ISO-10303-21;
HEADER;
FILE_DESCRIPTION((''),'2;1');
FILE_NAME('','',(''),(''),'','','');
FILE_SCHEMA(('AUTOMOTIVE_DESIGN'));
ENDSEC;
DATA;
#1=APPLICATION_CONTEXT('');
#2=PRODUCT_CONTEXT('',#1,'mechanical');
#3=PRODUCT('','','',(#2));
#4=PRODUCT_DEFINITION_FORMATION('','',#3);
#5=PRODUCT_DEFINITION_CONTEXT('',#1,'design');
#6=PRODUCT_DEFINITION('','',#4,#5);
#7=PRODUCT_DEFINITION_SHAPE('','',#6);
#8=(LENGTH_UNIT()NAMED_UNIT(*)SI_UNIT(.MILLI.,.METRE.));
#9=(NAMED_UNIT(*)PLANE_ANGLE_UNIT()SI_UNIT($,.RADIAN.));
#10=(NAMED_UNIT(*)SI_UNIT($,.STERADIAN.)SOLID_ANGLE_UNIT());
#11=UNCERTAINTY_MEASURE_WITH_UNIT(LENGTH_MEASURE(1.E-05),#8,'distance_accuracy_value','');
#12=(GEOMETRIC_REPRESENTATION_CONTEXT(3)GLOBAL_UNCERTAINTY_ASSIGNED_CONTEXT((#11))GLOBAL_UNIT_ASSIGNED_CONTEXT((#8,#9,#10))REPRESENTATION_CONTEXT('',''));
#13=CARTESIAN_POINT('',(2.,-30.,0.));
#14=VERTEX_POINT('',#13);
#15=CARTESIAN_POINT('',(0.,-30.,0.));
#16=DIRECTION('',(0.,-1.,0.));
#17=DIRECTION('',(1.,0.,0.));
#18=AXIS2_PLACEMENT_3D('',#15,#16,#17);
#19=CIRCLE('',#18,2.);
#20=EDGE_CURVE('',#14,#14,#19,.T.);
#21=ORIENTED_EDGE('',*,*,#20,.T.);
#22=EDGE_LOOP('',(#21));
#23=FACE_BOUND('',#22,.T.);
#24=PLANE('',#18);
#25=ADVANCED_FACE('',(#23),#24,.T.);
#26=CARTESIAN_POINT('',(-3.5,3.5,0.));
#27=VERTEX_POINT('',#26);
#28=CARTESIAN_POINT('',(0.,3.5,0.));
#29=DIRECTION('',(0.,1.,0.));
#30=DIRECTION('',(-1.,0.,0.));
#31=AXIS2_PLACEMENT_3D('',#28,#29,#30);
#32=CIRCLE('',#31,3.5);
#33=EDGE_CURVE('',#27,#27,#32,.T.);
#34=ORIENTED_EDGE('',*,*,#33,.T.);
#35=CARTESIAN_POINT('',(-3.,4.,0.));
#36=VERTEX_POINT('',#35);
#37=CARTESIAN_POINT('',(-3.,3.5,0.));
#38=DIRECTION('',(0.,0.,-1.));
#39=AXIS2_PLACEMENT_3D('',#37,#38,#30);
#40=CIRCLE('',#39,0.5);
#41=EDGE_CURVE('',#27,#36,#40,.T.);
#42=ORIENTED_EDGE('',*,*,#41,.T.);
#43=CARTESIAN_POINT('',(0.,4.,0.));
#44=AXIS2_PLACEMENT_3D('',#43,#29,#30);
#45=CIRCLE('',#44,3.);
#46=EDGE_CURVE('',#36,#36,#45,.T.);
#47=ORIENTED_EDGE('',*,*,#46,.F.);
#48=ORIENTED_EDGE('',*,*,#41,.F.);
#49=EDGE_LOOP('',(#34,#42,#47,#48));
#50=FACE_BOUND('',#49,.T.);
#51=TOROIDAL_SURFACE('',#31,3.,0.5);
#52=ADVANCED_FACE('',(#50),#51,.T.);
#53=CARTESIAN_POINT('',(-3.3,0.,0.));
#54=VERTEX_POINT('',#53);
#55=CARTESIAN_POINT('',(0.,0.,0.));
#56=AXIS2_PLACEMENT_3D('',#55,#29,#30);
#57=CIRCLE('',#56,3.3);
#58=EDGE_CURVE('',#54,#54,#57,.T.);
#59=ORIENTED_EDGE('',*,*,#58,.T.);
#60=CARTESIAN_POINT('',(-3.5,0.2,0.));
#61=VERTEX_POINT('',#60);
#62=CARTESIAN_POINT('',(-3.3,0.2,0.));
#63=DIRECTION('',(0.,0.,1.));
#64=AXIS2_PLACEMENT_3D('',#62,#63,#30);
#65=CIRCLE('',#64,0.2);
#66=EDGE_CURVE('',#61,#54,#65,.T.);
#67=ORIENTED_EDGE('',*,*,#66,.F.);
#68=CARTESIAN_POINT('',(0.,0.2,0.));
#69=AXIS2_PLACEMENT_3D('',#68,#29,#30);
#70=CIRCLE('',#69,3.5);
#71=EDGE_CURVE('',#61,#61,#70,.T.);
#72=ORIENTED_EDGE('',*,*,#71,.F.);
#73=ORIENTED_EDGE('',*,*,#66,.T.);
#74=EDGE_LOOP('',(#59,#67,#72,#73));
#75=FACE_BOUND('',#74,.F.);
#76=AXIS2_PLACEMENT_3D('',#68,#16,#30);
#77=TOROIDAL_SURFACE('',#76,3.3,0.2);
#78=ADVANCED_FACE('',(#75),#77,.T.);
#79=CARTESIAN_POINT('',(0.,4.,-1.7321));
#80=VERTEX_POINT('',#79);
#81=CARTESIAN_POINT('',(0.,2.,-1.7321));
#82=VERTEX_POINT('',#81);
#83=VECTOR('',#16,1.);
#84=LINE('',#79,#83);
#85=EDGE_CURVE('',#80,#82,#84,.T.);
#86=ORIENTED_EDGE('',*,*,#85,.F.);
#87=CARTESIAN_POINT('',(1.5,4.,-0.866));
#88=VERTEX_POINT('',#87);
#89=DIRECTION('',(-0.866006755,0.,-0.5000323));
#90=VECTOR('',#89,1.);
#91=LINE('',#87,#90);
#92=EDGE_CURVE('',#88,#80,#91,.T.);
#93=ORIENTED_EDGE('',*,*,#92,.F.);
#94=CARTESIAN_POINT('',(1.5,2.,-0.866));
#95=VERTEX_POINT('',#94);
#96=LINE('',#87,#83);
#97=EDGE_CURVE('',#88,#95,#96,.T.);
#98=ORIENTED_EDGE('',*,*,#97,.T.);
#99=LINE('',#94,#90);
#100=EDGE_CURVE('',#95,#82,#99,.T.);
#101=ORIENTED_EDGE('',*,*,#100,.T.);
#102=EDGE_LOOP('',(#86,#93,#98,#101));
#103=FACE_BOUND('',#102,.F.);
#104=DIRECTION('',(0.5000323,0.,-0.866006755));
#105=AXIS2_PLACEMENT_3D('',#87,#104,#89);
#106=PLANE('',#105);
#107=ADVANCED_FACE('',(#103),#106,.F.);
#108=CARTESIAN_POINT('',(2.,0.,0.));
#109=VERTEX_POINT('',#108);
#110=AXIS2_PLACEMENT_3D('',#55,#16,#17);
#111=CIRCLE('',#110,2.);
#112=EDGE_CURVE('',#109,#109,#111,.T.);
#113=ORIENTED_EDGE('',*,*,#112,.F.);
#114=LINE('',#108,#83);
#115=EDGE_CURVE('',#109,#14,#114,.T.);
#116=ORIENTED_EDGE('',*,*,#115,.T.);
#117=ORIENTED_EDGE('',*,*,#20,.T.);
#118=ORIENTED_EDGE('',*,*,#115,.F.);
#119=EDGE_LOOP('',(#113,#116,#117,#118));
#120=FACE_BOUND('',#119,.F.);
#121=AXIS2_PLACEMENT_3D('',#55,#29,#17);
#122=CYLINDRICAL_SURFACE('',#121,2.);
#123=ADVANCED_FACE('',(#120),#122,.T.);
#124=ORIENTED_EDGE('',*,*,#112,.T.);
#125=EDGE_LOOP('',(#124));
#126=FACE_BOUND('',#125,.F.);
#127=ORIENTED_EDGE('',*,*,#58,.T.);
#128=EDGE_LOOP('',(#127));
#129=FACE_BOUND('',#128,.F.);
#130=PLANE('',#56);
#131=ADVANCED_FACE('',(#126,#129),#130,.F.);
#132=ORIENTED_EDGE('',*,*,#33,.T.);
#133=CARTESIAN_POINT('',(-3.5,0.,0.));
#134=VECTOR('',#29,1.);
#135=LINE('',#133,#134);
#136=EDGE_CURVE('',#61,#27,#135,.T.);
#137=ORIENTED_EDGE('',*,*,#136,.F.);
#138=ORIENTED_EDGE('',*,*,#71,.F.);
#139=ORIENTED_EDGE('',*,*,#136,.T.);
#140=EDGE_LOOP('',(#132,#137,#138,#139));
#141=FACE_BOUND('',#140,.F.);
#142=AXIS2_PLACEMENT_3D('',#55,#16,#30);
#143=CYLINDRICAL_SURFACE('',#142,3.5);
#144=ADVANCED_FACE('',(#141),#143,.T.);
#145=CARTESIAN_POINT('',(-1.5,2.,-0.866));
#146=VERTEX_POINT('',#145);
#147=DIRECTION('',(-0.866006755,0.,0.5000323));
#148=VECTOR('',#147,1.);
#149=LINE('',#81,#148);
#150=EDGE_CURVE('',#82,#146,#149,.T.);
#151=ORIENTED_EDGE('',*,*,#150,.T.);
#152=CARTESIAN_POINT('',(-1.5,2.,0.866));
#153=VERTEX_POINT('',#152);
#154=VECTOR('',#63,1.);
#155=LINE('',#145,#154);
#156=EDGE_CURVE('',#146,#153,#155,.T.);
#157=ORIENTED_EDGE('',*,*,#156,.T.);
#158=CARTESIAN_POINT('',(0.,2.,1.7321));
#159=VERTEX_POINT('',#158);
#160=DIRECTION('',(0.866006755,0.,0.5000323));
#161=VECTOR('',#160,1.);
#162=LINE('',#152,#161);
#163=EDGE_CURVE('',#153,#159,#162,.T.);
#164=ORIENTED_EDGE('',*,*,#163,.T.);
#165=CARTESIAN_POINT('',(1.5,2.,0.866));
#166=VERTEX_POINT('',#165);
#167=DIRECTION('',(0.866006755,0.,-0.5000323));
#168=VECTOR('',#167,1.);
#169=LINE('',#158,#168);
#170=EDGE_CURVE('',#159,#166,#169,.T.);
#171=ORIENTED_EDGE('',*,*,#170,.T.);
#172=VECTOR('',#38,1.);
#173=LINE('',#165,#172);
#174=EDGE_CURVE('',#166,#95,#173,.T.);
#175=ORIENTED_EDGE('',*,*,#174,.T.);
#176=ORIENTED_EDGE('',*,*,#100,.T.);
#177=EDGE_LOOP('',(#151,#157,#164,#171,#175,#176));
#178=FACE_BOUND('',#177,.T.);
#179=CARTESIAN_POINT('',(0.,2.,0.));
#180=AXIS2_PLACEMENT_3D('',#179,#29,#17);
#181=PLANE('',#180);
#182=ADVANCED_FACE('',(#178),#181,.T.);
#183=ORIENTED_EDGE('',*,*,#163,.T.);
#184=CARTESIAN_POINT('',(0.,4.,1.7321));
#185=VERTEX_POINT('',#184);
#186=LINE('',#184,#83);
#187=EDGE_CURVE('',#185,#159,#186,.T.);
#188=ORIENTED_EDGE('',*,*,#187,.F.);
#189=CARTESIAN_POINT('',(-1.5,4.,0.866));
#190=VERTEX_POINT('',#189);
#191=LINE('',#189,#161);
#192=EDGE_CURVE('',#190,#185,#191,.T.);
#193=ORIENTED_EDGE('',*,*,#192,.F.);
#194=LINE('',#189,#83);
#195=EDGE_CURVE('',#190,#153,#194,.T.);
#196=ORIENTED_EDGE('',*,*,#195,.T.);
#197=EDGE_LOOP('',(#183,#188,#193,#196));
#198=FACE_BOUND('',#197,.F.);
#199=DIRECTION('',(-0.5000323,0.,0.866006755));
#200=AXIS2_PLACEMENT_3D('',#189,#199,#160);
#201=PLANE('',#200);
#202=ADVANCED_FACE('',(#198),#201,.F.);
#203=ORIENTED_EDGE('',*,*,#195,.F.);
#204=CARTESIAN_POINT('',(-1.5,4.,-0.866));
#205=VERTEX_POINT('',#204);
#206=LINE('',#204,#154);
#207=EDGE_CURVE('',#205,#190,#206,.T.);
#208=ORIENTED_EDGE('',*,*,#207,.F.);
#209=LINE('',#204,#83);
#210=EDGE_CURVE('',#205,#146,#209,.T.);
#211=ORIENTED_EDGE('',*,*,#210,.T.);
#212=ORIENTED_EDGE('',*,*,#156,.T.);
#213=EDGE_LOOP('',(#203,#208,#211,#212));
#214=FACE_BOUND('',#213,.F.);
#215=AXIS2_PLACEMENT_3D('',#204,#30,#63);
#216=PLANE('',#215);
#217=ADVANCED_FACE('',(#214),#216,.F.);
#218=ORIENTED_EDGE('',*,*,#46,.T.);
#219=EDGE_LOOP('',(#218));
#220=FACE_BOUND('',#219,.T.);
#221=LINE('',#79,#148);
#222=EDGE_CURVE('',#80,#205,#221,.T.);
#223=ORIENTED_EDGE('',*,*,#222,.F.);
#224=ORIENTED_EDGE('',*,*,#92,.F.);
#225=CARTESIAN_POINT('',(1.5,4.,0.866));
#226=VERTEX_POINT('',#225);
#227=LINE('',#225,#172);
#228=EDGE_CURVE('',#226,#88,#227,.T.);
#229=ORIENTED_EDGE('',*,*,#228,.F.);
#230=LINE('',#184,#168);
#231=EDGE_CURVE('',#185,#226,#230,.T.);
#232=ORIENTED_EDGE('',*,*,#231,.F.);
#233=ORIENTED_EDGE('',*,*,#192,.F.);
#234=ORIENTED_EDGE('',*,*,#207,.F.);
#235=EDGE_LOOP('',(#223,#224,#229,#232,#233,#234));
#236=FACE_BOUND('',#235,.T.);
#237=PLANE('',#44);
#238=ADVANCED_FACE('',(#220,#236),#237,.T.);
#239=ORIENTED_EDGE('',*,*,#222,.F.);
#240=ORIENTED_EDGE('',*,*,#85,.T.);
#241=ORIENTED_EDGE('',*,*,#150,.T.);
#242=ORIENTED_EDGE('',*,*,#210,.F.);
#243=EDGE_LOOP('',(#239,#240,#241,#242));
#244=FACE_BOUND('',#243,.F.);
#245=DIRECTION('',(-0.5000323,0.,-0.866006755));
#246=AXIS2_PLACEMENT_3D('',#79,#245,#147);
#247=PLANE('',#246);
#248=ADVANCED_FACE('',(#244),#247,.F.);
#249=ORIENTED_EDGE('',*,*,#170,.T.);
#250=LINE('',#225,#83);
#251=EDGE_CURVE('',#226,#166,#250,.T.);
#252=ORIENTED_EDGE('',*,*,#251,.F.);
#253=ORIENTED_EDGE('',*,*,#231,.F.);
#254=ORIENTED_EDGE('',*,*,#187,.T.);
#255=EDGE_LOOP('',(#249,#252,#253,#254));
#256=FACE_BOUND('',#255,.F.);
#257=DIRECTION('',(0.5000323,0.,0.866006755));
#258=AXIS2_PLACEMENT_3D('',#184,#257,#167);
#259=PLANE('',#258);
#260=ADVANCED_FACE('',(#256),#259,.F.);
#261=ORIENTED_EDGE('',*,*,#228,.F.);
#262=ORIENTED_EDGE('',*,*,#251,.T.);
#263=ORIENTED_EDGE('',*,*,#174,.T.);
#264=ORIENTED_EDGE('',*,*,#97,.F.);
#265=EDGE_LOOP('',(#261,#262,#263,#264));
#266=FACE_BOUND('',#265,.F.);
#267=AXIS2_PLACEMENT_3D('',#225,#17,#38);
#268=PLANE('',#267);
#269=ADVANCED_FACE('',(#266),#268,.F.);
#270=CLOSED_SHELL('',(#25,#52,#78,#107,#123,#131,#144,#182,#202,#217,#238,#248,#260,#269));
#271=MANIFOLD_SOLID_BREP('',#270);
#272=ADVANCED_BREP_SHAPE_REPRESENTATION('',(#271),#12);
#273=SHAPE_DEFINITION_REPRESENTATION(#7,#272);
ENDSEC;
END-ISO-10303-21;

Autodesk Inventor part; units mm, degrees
ref_plane "YZ Plane" through (0, 0, 0) normal (1, 0, 0) x (0, 1, 0)
ref_plane "XZ Plane" through (0, 0, 0) normal (0, 1, 0) x (-1, 0, 0)
ref_plane "XY Plane" through (0, 0, 0) normal (0, 0, 1) x (1, 0, 0)
sketch "スケッチ1" plane through (0, 0, 0) normal (0, 1, 0) x (-1, 0, 0)
  circle A0 centre (0, 0) radius 3.5
  dimension "d0" = 7
extrude "押し出し1" add sketch "スケッチ1" along normal blind 4
sketch "スケッチ2" plane through (0, 0, 0) normal (0, -1, 0) x (1, 0, 0)
  circle A0 centre (0, 0) radius 2
  dimension "d3" = 4
extrude "押し出し2" add sketch "スケッチ2" along normal blind 30
fillet "フィレット1" radius 0.5 1 edges at (3.5, 4, 0)
fillet "フィレット1" radius 0.2 1 edges at (3.5, 0, 0)
sketch "スケッチ3" plane through (0, 4, 0) normal (0, 1, 0) x (1, 0, 0)
  line L0 (0, 1.7321) -> (-1.5, 0.866)
  line L1 (-1.5, 0.866) -> (-1.5, -0.866)
  line L2 (-1.5, -0.866) -> (0, -1.7321)
  line L3 (0, -1.7321) -> (1.5, -0.866)
  line L4 (1.5, -0.866) -> (1.5, 0.866)
  line L5 (1.5, 0.866) -> (0, 1.7321)
  line L6 (0, 1.7321) -> (0, -1.7321) construction
  circle A0 centre (0, 0) radius 1.7321 construction
  dimension "d12" = 3
extrude "押し出し3" cut sketch "スケッチ3" against normal blind 2
thread "ねじ1" size "M4x0.7" class "6g" standard "ANSI Metric M Profile" full length
properties part number "M3-CapScrew"
